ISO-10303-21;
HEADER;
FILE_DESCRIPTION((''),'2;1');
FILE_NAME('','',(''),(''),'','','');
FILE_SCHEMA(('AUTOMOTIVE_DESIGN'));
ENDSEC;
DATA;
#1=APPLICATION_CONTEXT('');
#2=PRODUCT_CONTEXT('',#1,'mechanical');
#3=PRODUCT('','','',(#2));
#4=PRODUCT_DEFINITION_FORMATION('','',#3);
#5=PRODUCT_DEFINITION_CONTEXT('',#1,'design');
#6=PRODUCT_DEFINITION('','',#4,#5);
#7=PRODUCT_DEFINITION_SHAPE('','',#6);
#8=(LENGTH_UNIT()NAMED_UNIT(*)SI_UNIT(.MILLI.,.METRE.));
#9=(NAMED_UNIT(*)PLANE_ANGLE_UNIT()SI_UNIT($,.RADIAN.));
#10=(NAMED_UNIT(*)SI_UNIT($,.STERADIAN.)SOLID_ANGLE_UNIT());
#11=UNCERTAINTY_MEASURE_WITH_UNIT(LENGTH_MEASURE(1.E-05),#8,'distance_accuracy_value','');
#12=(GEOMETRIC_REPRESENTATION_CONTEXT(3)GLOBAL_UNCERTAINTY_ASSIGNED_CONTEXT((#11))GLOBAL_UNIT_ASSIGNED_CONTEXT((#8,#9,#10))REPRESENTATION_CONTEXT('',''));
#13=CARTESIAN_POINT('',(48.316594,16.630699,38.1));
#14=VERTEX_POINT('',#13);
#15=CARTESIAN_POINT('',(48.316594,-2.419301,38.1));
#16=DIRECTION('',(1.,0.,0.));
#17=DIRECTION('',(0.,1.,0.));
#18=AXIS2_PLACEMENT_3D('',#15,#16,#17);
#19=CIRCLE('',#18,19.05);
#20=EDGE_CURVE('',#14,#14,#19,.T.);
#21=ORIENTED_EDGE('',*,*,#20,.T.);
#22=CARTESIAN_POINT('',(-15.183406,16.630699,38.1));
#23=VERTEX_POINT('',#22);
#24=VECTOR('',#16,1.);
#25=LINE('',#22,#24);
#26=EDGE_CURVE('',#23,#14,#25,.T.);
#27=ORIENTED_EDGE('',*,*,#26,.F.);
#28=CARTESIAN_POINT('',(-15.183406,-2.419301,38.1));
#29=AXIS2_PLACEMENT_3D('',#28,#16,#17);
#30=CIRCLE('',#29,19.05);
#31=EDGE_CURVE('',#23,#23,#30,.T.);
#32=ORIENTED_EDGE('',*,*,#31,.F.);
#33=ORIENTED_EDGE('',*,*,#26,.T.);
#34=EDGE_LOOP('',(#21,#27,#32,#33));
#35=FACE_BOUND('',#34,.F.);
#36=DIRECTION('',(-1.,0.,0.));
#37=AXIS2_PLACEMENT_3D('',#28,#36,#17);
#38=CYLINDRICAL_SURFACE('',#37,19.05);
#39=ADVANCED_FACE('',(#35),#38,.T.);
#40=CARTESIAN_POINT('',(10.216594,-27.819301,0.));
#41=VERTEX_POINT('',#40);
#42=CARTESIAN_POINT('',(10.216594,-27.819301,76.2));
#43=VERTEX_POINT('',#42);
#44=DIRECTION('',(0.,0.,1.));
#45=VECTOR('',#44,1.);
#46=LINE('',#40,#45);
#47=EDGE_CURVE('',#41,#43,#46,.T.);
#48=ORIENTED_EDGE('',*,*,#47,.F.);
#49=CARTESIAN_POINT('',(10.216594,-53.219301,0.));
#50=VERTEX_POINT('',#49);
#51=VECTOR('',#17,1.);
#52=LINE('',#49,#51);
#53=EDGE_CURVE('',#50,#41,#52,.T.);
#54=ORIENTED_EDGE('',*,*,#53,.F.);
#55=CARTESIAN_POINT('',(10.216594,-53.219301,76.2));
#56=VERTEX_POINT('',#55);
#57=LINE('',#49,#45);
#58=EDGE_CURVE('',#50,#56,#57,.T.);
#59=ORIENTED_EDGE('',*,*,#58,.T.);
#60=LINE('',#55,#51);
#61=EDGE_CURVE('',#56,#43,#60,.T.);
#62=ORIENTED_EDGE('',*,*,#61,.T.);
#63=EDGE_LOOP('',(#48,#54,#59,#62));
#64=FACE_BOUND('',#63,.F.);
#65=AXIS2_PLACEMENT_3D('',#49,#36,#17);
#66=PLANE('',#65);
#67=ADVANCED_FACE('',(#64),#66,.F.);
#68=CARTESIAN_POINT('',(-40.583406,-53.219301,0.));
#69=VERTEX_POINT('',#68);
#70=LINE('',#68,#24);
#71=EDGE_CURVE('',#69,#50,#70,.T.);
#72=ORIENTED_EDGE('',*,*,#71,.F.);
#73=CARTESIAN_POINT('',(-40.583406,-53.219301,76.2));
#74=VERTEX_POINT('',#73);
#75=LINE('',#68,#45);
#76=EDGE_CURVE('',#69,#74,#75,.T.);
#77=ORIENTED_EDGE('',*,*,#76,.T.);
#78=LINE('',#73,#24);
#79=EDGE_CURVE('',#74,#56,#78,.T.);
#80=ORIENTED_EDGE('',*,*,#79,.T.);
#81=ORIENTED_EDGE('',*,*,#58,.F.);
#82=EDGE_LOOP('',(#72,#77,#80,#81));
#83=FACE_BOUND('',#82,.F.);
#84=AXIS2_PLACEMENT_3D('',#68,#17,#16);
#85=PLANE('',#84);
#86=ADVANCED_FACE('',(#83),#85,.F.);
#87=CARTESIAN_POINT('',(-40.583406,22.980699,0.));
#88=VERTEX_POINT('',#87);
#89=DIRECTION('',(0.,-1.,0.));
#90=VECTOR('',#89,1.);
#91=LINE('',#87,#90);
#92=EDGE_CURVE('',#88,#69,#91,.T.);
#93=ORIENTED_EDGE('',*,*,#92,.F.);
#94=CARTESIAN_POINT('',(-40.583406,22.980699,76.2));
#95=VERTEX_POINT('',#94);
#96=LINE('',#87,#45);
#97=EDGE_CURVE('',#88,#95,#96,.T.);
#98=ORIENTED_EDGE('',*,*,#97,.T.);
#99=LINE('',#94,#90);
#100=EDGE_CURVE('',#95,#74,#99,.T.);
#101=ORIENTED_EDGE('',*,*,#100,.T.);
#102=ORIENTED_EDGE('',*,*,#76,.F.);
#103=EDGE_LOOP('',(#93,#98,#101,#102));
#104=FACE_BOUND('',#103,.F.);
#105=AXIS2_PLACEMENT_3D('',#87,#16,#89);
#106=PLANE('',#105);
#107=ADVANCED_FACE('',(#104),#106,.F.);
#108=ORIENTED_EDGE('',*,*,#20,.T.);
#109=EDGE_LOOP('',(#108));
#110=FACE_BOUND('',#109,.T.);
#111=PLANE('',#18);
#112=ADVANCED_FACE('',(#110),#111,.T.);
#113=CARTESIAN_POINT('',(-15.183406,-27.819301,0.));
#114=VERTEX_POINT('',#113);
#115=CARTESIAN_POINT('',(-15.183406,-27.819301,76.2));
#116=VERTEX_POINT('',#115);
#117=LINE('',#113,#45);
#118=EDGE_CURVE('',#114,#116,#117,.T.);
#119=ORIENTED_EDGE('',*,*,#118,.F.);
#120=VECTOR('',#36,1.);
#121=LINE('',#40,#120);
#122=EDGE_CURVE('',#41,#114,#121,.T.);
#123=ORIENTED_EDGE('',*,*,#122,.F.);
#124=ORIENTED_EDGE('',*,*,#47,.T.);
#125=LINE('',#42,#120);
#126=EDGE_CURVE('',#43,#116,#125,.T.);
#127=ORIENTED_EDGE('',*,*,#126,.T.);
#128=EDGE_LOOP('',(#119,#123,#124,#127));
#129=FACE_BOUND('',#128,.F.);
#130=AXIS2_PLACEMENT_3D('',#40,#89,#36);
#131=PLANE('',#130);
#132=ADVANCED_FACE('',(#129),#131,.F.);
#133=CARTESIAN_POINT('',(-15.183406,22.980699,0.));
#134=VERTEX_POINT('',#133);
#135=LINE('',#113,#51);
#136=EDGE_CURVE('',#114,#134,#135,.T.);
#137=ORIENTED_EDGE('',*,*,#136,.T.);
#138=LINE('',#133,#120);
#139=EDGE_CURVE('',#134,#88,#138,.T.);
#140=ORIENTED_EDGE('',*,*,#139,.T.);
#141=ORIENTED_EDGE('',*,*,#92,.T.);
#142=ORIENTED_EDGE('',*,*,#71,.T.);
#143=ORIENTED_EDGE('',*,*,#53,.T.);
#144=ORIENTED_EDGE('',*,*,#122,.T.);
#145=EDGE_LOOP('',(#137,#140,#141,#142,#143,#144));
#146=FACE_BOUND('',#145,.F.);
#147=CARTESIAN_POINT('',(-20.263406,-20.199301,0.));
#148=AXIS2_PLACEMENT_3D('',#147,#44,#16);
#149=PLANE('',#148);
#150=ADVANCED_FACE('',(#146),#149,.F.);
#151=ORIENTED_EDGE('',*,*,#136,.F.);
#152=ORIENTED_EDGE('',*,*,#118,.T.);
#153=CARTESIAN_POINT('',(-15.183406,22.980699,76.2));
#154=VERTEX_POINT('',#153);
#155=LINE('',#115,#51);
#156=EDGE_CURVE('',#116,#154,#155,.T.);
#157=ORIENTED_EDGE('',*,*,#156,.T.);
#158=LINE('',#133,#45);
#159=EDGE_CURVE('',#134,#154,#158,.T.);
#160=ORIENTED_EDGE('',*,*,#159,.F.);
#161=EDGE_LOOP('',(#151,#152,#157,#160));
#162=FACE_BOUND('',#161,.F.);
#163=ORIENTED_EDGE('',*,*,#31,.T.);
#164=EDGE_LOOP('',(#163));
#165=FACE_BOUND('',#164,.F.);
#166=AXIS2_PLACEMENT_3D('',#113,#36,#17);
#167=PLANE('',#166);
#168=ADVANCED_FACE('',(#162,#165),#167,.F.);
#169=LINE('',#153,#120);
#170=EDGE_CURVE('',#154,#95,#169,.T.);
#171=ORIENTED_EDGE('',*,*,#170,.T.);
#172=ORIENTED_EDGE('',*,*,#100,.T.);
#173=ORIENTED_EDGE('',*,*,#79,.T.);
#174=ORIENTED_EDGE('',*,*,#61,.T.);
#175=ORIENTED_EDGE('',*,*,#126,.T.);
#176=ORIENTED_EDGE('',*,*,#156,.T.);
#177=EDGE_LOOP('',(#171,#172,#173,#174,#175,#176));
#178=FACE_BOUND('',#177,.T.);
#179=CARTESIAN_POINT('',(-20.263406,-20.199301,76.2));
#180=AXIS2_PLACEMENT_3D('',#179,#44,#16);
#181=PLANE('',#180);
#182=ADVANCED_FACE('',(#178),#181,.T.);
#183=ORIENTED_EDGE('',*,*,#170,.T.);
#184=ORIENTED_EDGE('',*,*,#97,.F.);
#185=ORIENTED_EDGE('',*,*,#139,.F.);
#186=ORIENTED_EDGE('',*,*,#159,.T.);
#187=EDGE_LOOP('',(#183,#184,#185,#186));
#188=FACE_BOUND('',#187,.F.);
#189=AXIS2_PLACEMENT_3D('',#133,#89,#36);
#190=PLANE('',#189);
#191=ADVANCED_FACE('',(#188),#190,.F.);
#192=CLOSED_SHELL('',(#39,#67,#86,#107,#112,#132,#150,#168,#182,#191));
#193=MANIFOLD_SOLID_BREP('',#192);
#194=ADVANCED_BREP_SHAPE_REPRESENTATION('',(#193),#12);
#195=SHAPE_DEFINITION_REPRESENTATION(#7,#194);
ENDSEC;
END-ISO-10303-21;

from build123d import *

# Parameters (mm, degrees)
F1_DEPTH = 76.2
F3_DEPTH = 63.5


with BuildPart() as f1:
    # F0 (on Top) → F1 (new body)
    with BuildSketch(Plane.XY):
        Polygon((-15.183406, 22.980699), (-40.583406, 22.980699), (-40.583406, -53.219301), (10.216594, -53.219301), (10.216594, -27.819301), (-15.183406, -27.819301), align=None)
    extrude(amount=F1_DEPTH)

    # F2 (on face) → F3 (join)
    with BuildSketch(Plane.YZ.offset(-15.183406)):
        with BuildLine():
            ThreePointArc((-21.469301, 38.1), (-2.419301, 19.05), (16.630699, 38.1))
            ThreePointArc((16.630699, 38.1), (-2.419301, 57.15), (-21.469301, 38.1))
        make_face()
    extrude(amount=F3_DEPTH)


solid = f1.part
